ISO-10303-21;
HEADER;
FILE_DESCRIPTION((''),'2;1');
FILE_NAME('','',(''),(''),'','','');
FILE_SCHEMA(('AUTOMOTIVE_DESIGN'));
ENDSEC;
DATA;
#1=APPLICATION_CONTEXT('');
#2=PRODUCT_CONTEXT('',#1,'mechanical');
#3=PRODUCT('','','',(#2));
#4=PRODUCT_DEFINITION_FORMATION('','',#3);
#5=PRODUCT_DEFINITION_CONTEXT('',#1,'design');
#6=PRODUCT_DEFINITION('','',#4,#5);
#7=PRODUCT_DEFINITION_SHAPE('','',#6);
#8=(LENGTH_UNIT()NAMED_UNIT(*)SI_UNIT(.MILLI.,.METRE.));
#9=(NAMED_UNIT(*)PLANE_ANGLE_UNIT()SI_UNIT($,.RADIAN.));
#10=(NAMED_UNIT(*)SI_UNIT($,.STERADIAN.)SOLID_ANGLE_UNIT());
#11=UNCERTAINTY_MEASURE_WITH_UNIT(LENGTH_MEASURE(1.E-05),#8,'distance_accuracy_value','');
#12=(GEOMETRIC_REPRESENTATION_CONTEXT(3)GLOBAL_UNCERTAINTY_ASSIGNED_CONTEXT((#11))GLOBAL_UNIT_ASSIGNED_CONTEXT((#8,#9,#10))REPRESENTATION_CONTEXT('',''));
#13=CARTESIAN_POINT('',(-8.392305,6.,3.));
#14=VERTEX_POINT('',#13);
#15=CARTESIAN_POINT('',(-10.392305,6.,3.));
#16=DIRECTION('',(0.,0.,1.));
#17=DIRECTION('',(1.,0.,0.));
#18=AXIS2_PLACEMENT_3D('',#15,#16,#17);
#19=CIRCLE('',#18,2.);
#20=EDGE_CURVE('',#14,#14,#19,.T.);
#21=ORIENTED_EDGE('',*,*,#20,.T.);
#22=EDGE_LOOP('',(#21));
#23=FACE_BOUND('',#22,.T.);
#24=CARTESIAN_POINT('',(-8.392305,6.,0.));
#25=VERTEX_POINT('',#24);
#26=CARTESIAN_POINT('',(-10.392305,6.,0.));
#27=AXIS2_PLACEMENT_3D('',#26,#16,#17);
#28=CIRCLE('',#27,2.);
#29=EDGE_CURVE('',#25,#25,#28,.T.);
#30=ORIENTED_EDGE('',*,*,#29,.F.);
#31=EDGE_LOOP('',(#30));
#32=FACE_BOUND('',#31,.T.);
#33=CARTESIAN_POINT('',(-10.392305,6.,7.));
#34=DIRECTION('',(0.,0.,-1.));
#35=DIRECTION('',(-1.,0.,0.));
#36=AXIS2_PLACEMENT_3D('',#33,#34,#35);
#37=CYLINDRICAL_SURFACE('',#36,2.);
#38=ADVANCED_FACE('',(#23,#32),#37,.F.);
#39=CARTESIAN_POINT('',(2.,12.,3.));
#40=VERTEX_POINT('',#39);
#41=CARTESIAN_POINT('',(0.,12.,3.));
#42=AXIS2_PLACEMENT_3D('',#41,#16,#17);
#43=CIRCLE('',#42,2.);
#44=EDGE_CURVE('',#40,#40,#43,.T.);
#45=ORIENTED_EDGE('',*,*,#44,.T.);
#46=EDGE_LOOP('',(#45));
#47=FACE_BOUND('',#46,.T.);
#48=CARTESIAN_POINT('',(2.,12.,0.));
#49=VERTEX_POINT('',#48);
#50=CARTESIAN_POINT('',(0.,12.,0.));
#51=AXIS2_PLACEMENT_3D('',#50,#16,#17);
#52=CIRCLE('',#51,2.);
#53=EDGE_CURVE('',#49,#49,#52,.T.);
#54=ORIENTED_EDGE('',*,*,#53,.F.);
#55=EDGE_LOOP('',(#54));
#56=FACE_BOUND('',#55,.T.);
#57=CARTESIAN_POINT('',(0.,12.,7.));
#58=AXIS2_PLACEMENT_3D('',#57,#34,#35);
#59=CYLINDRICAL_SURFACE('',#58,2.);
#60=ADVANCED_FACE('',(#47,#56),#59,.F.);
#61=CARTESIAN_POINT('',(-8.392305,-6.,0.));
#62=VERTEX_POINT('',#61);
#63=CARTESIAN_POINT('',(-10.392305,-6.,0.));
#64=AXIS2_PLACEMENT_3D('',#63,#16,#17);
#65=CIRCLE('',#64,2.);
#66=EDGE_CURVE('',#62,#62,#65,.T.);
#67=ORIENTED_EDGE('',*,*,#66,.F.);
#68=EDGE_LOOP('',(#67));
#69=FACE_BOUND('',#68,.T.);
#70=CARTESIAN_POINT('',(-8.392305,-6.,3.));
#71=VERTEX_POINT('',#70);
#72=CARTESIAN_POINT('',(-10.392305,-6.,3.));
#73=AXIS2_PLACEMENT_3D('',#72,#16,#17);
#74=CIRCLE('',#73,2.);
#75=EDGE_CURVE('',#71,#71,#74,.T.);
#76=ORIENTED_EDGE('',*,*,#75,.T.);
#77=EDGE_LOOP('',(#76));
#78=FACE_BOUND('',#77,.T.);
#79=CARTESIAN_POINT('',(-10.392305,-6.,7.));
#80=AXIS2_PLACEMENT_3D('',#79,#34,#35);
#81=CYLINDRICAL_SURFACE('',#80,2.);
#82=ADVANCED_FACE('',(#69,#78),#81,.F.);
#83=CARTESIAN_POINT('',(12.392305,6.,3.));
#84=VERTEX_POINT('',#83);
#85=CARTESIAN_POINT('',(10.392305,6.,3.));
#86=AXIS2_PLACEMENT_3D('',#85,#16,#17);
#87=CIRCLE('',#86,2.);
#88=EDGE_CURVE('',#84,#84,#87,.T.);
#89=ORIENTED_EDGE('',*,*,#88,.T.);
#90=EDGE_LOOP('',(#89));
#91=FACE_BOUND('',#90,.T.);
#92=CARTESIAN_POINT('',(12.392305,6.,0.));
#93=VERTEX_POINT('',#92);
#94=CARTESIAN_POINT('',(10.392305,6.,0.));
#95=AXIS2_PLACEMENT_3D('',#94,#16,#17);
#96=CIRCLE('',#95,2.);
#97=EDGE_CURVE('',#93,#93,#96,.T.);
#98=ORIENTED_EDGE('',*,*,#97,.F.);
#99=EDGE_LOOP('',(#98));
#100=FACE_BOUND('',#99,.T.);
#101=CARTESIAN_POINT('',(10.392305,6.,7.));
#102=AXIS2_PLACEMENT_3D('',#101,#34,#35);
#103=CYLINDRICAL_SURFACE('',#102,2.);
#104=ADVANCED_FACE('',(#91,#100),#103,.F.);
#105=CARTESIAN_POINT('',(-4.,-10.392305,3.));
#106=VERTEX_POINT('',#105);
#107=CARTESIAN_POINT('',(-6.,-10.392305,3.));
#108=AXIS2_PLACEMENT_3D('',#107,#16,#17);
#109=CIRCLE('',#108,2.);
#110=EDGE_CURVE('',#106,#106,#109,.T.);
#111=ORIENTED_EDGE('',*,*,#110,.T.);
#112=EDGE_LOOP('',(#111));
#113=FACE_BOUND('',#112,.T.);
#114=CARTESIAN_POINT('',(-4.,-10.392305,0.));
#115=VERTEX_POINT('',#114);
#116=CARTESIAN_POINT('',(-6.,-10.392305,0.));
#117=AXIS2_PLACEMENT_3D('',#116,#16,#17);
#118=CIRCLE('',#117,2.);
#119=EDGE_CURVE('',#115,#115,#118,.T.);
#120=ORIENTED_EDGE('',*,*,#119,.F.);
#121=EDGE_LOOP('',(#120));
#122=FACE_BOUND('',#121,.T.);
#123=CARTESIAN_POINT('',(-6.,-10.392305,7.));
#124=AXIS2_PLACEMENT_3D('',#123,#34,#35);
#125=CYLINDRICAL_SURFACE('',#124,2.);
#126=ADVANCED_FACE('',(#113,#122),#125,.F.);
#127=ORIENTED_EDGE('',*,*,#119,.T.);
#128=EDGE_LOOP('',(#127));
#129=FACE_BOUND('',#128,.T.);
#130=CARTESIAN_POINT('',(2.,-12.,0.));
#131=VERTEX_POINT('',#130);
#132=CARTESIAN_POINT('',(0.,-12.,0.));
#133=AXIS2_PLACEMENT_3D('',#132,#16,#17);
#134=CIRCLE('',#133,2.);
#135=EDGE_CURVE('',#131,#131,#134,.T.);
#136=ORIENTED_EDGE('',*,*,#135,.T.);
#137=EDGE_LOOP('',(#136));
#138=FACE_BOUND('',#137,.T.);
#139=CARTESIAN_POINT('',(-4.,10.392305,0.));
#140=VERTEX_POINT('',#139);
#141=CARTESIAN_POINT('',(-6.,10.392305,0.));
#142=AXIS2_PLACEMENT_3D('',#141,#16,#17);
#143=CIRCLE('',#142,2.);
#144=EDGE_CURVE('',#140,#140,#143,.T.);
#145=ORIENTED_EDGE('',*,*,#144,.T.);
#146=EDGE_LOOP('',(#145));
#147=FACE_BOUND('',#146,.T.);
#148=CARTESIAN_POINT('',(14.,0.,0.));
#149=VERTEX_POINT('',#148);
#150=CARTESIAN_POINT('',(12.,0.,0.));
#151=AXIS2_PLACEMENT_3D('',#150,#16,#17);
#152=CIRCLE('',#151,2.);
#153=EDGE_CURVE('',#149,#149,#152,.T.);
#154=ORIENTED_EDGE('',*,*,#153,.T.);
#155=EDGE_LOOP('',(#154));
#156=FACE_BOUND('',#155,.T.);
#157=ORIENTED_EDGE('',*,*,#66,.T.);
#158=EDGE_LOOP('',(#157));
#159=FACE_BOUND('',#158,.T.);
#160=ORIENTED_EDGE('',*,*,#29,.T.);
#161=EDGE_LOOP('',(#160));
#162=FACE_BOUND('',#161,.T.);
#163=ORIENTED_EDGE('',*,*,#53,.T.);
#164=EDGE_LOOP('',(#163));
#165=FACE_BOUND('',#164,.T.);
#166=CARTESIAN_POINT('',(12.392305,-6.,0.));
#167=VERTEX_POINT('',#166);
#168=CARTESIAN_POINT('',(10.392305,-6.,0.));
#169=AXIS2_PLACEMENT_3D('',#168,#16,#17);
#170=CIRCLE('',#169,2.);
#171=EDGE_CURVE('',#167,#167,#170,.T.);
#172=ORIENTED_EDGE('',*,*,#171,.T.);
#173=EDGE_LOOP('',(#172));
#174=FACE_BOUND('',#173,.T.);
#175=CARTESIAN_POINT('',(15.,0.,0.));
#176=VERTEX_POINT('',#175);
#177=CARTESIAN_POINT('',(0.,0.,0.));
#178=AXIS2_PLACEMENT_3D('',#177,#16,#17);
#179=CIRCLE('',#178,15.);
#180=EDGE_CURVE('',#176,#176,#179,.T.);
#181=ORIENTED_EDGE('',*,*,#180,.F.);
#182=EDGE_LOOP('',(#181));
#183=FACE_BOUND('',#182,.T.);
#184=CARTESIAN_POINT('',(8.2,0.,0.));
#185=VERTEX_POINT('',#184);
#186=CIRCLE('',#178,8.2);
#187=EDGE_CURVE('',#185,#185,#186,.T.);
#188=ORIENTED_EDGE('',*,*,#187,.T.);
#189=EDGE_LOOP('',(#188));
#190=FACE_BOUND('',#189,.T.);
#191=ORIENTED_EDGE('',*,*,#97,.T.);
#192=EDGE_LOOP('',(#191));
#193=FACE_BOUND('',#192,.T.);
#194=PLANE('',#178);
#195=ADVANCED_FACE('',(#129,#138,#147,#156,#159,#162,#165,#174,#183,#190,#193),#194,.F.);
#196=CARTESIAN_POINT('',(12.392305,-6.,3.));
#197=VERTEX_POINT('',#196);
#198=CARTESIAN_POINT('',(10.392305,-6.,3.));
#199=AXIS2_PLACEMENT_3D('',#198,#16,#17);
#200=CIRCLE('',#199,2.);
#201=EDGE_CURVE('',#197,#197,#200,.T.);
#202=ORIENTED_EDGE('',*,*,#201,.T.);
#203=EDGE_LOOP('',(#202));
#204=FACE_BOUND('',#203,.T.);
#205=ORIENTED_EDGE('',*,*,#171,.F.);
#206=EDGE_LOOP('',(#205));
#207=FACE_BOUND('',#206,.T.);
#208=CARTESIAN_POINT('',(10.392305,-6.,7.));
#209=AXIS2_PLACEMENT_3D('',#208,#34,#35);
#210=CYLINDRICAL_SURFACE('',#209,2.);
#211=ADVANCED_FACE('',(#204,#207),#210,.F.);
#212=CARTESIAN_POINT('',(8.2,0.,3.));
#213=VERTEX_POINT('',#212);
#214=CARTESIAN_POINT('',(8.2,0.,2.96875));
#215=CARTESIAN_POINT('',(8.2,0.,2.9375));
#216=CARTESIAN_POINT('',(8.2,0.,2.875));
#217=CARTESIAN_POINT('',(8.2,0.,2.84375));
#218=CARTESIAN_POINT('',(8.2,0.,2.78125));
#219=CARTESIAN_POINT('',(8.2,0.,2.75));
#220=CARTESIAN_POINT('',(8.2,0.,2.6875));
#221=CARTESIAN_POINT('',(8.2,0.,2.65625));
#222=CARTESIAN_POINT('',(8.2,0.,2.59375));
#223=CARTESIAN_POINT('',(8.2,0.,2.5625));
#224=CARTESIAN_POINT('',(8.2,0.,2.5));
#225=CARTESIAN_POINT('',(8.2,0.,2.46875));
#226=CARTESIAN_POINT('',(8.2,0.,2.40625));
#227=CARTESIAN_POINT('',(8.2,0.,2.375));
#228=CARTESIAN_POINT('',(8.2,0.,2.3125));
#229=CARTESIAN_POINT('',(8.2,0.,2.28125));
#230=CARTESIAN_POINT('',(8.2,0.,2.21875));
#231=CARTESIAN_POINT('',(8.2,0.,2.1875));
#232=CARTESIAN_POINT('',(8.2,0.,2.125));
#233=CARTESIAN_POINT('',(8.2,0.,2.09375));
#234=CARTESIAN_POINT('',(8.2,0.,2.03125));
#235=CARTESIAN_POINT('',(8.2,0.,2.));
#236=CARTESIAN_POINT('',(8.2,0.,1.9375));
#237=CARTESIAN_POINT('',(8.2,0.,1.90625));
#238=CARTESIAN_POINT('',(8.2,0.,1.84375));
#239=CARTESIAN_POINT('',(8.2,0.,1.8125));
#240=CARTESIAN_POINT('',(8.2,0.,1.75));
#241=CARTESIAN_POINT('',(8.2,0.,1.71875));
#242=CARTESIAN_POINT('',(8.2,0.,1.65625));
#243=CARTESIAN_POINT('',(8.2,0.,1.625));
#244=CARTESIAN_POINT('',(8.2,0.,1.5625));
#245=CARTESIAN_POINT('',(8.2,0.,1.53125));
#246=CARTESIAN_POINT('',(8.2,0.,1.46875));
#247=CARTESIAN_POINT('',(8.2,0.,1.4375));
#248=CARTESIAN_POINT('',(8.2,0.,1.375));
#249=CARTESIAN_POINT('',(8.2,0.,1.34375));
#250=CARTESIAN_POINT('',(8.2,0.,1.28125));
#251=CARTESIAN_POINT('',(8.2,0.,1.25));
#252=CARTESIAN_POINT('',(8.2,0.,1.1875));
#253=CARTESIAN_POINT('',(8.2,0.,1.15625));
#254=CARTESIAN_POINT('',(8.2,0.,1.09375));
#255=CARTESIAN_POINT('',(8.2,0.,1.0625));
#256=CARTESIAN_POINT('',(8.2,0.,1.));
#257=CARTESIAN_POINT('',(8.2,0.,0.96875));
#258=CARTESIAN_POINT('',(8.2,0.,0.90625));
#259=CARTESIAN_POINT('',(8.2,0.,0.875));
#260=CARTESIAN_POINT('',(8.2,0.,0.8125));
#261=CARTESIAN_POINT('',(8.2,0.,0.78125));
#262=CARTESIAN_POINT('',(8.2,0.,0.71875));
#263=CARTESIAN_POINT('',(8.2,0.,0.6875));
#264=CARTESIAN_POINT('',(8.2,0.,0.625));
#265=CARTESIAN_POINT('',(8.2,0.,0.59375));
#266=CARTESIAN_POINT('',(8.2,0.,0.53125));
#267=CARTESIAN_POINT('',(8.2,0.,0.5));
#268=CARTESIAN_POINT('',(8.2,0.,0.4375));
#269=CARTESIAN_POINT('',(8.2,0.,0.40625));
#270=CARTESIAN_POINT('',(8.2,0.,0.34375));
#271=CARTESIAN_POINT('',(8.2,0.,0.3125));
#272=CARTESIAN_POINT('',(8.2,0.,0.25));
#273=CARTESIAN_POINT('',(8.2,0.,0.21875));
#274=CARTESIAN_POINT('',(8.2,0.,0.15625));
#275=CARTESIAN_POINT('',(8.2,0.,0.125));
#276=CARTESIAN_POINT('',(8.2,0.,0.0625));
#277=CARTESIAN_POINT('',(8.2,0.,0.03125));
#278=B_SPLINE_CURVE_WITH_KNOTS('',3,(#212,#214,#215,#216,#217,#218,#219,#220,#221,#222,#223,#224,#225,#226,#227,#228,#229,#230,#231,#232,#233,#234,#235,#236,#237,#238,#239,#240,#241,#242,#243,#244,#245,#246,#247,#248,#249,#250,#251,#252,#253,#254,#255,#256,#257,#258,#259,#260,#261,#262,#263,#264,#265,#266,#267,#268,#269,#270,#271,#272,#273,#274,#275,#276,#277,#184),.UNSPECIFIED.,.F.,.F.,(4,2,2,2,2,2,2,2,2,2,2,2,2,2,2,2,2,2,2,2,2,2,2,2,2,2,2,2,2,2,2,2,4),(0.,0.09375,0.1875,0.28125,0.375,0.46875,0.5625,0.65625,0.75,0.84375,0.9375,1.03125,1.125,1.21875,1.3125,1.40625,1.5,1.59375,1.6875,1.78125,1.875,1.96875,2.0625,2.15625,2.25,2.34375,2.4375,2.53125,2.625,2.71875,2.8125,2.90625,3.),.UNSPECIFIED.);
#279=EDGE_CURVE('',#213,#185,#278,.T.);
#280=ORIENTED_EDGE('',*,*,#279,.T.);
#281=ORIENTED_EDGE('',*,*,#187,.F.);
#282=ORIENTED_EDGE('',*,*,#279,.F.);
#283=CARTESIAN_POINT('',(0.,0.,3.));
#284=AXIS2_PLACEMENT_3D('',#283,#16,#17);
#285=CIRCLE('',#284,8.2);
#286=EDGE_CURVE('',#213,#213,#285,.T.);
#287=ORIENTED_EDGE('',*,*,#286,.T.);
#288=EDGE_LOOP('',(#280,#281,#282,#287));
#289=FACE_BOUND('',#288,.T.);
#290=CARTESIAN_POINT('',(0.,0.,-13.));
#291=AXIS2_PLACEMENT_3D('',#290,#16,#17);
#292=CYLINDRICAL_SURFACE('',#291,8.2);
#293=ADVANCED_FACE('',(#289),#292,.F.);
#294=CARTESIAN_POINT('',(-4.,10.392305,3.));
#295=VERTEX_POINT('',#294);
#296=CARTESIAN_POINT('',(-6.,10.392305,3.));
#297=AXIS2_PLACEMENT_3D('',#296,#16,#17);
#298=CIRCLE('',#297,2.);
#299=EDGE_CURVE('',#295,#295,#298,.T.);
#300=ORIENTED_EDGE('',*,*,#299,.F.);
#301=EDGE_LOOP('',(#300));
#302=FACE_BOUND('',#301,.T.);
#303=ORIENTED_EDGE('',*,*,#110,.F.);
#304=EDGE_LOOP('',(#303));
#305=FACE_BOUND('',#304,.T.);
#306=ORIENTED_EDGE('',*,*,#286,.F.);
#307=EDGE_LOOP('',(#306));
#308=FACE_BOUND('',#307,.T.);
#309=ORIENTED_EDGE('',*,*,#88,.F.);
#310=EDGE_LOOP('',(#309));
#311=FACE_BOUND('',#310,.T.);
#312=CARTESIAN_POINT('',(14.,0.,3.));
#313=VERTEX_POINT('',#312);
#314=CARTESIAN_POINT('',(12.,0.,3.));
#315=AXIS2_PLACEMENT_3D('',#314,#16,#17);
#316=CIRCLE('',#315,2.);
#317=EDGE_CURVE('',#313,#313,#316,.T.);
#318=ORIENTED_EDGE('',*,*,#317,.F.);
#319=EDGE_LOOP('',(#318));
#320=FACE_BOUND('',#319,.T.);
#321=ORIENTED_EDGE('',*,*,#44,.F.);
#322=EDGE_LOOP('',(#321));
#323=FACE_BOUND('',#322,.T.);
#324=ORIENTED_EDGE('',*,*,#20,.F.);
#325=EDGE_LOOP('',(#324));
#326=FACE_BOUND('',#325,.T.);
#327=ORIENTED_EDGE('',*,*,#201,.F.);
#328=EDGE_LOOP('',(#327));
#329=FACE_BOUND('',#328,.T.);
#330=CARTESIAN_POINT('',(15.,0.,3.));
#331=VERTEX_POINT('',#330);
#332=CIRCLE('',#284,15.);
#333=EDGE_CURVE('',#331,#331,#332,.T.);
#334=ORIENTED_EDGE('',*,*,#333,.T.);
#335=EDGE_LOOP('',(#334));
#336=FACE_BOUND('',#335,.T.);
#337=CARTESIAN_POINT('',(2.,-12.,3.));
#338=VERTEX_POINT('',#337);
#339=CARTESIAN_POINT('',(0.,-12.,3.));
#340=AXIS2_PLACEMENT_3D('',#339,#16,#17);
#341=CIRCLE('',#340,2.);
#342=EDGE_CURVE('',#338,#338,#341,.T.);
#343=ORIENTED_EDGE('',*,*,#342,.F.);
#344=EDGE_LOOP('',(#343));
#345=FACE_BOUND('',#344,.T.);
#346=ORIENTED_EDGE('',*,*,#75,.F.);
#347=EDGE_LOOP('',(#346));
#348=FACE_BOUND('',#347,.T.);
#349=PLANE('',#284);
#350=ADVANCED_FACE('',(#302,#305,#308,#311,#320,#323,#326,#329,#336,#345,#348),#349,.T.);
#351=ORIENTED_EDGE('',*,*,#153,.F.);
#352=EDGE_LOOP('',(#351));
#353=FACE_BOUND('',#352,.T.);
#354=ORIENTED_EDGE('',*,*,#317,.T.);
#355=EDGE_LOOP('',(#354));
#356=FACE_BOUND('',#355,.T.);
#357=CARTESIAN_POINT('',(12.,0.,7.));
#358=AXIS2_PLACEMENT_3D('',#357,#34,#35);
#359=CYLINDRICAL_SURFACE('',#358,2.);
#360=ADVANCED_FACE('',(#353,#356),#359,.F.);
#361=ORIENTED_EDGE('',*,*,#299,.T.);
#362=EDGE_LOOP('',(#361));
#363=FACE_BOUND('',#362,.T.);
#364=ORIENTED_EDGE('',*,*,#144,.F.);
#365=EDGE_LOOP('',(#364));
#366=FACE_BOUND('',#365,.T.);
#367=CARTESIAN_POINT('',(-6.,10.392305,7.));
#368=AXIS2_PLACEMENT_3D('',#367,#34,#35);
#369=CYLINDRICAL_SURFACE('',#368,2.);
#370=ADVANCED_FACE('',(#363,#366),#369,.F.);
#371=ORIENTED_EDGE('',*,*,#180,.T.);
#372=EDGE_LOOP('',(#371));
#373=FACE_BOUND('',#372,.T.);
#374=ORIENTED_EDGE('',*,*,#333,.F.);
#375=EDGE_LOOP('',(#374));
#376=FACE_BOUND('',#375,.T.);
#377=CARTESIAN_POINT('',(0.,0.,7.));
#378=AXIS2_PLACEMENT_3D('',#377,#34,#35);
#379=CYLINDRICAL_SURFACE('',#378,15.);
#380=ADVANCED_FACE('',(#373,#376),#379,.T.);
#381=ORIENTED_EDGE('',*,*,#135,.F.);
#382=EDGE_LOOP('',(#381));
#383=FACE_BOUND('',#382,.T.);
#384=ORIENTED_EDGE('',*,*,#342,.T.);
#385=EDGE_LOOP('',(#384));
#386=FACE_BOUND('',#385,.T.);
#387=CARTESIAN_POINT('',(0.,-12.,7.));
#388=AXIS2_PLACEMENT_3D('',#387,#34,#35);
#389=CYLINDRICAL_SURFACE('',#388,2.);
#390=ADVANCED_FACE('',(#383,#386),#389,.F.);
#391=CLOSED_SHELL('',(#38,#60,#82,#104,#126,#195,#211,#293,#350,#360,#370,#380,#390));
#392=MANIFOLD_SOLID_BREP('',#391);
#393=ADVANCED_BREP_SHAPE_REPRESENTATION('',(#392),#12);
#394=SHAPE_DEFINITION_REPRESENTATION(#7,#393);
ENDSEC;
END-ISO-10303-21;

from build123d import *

# Parameters (mm, degrees)
SKETCH_1_R          = 15
SKETCH_1_R_2        = 2
SKETCH_1_R_3        = 5
EXTRUDE_1_DEPTH     = 7
SKETCH_2_R          = 8
SKETCH_2_R_2        = 5
EXTRUDE_2_DEPTH     = 70
SKETCH_3_R          = 2.5
CUT_EXTRUDE_1_DEPTH = 10
CUT_EXTRUDE_START   = -4
SKETCH_4_R          = 18.074037985
SKETCH_4_R_2        = 8
CUT_EXTRUDE_2_DEPTH = 4
SKETCH_5_R          = 8.2
CUT_EXTRUDE_3_DEPTH = 90


with BuildPart() as part:
    # 草图1 → 凸台-拉伸1 (new body)
    with BuildSketch(Plane.XY):
        Circle(SKETCH_1_R)
        with Locations((0, 12)):
            Circle(SKETCH_1_R_2, mode=Mode.SUBTRACT)
        with Locations((10.392304845, 6)):
            Circle(SKETCH_1_R_2, mode=Mode.SUBTRACT)
        with Locations((10.392304845, -6)):
            Circle(SKETCH_1_R_2, mode=Mode.SUBTRACT)
        with Locations((0, -12)):
            Circle(SKETCH_1_R_2, mode=Mode.SUBTRACT)
        with Locations((-10.392304845, -6)):
            Circle(SKETCH_1_R_2, mode=Mode.SUBTRACT)
        with Locations((-10.392304845, 6)):
            Circle(SKETCH_1_R_2, mode=Mode.SUBTRACT)
        with Locations((-6, 10.392304845)):
            Circle(SKETCH_1_R_2, mode=Mode.SUBTRACT)
        with Locations((12, 0)):
            Circle(SKETCH_1_R_2, mode=Mode.SUBTRACT)
        with Locations((-6, -10.392304845)):
            Circle(SKETCH_1_R_2, mode=Mode.SUBTRACT)
        Circle(SKETCH_1_R_3, mode=Mode.SUBTRACT)
    extrude(amount=EXTRUDE_1_DEPTH)

    # 草图2 → 凸台-拉伸2 (add)
    with BuildSketch(Plane.XY.offset(7)):
        Circle(SKETCH_2_R)
        Circle(SKETCH_2_R_2, mode=Mode.SUBTRACT)
    extrude(amount=EXTRUDE_2_DEPTH)

    # 草图3 → 切除-拉伸1 (cut)
    with BuildSketch(Plane(origin=(0, 0, 0), x_dir=(1, 0, 0), z_dir=(0, 1, 0))):
        with Locations(Location((0.676832819, -59, 0), (0, 0, 270))):
            Circle(SKETCH_3_R)
    extrude(amount=-CUT_EXTRUDE_1_DEPTH, mode=Mode.SUBTRACT)

    # 草图4 → 切除-拉伸2 (cut)
    with BuildSketch(Plane.XY.offset(7).offset(CUT_EXTRUDE_START)):
        Circle(SKETCH_4_R)
        Circle(SKETCH_4_R_2, mode=Mode.SUBTRACT)
    extrude(amount=CUT_EXTRUDE_2_DEPTH, mode=Mode.SUBTRACT)

    # 草图5 → 切除-拉伸3 (cut)
    with BuildSketch(Plane.XY.offset(77)):
        Circle(SKETCH_5_R)
    extrude(amount=-CUT_EXTRUDE_3_DEPTH, mode=Mode.SUBTRACT)


solid = part.part
